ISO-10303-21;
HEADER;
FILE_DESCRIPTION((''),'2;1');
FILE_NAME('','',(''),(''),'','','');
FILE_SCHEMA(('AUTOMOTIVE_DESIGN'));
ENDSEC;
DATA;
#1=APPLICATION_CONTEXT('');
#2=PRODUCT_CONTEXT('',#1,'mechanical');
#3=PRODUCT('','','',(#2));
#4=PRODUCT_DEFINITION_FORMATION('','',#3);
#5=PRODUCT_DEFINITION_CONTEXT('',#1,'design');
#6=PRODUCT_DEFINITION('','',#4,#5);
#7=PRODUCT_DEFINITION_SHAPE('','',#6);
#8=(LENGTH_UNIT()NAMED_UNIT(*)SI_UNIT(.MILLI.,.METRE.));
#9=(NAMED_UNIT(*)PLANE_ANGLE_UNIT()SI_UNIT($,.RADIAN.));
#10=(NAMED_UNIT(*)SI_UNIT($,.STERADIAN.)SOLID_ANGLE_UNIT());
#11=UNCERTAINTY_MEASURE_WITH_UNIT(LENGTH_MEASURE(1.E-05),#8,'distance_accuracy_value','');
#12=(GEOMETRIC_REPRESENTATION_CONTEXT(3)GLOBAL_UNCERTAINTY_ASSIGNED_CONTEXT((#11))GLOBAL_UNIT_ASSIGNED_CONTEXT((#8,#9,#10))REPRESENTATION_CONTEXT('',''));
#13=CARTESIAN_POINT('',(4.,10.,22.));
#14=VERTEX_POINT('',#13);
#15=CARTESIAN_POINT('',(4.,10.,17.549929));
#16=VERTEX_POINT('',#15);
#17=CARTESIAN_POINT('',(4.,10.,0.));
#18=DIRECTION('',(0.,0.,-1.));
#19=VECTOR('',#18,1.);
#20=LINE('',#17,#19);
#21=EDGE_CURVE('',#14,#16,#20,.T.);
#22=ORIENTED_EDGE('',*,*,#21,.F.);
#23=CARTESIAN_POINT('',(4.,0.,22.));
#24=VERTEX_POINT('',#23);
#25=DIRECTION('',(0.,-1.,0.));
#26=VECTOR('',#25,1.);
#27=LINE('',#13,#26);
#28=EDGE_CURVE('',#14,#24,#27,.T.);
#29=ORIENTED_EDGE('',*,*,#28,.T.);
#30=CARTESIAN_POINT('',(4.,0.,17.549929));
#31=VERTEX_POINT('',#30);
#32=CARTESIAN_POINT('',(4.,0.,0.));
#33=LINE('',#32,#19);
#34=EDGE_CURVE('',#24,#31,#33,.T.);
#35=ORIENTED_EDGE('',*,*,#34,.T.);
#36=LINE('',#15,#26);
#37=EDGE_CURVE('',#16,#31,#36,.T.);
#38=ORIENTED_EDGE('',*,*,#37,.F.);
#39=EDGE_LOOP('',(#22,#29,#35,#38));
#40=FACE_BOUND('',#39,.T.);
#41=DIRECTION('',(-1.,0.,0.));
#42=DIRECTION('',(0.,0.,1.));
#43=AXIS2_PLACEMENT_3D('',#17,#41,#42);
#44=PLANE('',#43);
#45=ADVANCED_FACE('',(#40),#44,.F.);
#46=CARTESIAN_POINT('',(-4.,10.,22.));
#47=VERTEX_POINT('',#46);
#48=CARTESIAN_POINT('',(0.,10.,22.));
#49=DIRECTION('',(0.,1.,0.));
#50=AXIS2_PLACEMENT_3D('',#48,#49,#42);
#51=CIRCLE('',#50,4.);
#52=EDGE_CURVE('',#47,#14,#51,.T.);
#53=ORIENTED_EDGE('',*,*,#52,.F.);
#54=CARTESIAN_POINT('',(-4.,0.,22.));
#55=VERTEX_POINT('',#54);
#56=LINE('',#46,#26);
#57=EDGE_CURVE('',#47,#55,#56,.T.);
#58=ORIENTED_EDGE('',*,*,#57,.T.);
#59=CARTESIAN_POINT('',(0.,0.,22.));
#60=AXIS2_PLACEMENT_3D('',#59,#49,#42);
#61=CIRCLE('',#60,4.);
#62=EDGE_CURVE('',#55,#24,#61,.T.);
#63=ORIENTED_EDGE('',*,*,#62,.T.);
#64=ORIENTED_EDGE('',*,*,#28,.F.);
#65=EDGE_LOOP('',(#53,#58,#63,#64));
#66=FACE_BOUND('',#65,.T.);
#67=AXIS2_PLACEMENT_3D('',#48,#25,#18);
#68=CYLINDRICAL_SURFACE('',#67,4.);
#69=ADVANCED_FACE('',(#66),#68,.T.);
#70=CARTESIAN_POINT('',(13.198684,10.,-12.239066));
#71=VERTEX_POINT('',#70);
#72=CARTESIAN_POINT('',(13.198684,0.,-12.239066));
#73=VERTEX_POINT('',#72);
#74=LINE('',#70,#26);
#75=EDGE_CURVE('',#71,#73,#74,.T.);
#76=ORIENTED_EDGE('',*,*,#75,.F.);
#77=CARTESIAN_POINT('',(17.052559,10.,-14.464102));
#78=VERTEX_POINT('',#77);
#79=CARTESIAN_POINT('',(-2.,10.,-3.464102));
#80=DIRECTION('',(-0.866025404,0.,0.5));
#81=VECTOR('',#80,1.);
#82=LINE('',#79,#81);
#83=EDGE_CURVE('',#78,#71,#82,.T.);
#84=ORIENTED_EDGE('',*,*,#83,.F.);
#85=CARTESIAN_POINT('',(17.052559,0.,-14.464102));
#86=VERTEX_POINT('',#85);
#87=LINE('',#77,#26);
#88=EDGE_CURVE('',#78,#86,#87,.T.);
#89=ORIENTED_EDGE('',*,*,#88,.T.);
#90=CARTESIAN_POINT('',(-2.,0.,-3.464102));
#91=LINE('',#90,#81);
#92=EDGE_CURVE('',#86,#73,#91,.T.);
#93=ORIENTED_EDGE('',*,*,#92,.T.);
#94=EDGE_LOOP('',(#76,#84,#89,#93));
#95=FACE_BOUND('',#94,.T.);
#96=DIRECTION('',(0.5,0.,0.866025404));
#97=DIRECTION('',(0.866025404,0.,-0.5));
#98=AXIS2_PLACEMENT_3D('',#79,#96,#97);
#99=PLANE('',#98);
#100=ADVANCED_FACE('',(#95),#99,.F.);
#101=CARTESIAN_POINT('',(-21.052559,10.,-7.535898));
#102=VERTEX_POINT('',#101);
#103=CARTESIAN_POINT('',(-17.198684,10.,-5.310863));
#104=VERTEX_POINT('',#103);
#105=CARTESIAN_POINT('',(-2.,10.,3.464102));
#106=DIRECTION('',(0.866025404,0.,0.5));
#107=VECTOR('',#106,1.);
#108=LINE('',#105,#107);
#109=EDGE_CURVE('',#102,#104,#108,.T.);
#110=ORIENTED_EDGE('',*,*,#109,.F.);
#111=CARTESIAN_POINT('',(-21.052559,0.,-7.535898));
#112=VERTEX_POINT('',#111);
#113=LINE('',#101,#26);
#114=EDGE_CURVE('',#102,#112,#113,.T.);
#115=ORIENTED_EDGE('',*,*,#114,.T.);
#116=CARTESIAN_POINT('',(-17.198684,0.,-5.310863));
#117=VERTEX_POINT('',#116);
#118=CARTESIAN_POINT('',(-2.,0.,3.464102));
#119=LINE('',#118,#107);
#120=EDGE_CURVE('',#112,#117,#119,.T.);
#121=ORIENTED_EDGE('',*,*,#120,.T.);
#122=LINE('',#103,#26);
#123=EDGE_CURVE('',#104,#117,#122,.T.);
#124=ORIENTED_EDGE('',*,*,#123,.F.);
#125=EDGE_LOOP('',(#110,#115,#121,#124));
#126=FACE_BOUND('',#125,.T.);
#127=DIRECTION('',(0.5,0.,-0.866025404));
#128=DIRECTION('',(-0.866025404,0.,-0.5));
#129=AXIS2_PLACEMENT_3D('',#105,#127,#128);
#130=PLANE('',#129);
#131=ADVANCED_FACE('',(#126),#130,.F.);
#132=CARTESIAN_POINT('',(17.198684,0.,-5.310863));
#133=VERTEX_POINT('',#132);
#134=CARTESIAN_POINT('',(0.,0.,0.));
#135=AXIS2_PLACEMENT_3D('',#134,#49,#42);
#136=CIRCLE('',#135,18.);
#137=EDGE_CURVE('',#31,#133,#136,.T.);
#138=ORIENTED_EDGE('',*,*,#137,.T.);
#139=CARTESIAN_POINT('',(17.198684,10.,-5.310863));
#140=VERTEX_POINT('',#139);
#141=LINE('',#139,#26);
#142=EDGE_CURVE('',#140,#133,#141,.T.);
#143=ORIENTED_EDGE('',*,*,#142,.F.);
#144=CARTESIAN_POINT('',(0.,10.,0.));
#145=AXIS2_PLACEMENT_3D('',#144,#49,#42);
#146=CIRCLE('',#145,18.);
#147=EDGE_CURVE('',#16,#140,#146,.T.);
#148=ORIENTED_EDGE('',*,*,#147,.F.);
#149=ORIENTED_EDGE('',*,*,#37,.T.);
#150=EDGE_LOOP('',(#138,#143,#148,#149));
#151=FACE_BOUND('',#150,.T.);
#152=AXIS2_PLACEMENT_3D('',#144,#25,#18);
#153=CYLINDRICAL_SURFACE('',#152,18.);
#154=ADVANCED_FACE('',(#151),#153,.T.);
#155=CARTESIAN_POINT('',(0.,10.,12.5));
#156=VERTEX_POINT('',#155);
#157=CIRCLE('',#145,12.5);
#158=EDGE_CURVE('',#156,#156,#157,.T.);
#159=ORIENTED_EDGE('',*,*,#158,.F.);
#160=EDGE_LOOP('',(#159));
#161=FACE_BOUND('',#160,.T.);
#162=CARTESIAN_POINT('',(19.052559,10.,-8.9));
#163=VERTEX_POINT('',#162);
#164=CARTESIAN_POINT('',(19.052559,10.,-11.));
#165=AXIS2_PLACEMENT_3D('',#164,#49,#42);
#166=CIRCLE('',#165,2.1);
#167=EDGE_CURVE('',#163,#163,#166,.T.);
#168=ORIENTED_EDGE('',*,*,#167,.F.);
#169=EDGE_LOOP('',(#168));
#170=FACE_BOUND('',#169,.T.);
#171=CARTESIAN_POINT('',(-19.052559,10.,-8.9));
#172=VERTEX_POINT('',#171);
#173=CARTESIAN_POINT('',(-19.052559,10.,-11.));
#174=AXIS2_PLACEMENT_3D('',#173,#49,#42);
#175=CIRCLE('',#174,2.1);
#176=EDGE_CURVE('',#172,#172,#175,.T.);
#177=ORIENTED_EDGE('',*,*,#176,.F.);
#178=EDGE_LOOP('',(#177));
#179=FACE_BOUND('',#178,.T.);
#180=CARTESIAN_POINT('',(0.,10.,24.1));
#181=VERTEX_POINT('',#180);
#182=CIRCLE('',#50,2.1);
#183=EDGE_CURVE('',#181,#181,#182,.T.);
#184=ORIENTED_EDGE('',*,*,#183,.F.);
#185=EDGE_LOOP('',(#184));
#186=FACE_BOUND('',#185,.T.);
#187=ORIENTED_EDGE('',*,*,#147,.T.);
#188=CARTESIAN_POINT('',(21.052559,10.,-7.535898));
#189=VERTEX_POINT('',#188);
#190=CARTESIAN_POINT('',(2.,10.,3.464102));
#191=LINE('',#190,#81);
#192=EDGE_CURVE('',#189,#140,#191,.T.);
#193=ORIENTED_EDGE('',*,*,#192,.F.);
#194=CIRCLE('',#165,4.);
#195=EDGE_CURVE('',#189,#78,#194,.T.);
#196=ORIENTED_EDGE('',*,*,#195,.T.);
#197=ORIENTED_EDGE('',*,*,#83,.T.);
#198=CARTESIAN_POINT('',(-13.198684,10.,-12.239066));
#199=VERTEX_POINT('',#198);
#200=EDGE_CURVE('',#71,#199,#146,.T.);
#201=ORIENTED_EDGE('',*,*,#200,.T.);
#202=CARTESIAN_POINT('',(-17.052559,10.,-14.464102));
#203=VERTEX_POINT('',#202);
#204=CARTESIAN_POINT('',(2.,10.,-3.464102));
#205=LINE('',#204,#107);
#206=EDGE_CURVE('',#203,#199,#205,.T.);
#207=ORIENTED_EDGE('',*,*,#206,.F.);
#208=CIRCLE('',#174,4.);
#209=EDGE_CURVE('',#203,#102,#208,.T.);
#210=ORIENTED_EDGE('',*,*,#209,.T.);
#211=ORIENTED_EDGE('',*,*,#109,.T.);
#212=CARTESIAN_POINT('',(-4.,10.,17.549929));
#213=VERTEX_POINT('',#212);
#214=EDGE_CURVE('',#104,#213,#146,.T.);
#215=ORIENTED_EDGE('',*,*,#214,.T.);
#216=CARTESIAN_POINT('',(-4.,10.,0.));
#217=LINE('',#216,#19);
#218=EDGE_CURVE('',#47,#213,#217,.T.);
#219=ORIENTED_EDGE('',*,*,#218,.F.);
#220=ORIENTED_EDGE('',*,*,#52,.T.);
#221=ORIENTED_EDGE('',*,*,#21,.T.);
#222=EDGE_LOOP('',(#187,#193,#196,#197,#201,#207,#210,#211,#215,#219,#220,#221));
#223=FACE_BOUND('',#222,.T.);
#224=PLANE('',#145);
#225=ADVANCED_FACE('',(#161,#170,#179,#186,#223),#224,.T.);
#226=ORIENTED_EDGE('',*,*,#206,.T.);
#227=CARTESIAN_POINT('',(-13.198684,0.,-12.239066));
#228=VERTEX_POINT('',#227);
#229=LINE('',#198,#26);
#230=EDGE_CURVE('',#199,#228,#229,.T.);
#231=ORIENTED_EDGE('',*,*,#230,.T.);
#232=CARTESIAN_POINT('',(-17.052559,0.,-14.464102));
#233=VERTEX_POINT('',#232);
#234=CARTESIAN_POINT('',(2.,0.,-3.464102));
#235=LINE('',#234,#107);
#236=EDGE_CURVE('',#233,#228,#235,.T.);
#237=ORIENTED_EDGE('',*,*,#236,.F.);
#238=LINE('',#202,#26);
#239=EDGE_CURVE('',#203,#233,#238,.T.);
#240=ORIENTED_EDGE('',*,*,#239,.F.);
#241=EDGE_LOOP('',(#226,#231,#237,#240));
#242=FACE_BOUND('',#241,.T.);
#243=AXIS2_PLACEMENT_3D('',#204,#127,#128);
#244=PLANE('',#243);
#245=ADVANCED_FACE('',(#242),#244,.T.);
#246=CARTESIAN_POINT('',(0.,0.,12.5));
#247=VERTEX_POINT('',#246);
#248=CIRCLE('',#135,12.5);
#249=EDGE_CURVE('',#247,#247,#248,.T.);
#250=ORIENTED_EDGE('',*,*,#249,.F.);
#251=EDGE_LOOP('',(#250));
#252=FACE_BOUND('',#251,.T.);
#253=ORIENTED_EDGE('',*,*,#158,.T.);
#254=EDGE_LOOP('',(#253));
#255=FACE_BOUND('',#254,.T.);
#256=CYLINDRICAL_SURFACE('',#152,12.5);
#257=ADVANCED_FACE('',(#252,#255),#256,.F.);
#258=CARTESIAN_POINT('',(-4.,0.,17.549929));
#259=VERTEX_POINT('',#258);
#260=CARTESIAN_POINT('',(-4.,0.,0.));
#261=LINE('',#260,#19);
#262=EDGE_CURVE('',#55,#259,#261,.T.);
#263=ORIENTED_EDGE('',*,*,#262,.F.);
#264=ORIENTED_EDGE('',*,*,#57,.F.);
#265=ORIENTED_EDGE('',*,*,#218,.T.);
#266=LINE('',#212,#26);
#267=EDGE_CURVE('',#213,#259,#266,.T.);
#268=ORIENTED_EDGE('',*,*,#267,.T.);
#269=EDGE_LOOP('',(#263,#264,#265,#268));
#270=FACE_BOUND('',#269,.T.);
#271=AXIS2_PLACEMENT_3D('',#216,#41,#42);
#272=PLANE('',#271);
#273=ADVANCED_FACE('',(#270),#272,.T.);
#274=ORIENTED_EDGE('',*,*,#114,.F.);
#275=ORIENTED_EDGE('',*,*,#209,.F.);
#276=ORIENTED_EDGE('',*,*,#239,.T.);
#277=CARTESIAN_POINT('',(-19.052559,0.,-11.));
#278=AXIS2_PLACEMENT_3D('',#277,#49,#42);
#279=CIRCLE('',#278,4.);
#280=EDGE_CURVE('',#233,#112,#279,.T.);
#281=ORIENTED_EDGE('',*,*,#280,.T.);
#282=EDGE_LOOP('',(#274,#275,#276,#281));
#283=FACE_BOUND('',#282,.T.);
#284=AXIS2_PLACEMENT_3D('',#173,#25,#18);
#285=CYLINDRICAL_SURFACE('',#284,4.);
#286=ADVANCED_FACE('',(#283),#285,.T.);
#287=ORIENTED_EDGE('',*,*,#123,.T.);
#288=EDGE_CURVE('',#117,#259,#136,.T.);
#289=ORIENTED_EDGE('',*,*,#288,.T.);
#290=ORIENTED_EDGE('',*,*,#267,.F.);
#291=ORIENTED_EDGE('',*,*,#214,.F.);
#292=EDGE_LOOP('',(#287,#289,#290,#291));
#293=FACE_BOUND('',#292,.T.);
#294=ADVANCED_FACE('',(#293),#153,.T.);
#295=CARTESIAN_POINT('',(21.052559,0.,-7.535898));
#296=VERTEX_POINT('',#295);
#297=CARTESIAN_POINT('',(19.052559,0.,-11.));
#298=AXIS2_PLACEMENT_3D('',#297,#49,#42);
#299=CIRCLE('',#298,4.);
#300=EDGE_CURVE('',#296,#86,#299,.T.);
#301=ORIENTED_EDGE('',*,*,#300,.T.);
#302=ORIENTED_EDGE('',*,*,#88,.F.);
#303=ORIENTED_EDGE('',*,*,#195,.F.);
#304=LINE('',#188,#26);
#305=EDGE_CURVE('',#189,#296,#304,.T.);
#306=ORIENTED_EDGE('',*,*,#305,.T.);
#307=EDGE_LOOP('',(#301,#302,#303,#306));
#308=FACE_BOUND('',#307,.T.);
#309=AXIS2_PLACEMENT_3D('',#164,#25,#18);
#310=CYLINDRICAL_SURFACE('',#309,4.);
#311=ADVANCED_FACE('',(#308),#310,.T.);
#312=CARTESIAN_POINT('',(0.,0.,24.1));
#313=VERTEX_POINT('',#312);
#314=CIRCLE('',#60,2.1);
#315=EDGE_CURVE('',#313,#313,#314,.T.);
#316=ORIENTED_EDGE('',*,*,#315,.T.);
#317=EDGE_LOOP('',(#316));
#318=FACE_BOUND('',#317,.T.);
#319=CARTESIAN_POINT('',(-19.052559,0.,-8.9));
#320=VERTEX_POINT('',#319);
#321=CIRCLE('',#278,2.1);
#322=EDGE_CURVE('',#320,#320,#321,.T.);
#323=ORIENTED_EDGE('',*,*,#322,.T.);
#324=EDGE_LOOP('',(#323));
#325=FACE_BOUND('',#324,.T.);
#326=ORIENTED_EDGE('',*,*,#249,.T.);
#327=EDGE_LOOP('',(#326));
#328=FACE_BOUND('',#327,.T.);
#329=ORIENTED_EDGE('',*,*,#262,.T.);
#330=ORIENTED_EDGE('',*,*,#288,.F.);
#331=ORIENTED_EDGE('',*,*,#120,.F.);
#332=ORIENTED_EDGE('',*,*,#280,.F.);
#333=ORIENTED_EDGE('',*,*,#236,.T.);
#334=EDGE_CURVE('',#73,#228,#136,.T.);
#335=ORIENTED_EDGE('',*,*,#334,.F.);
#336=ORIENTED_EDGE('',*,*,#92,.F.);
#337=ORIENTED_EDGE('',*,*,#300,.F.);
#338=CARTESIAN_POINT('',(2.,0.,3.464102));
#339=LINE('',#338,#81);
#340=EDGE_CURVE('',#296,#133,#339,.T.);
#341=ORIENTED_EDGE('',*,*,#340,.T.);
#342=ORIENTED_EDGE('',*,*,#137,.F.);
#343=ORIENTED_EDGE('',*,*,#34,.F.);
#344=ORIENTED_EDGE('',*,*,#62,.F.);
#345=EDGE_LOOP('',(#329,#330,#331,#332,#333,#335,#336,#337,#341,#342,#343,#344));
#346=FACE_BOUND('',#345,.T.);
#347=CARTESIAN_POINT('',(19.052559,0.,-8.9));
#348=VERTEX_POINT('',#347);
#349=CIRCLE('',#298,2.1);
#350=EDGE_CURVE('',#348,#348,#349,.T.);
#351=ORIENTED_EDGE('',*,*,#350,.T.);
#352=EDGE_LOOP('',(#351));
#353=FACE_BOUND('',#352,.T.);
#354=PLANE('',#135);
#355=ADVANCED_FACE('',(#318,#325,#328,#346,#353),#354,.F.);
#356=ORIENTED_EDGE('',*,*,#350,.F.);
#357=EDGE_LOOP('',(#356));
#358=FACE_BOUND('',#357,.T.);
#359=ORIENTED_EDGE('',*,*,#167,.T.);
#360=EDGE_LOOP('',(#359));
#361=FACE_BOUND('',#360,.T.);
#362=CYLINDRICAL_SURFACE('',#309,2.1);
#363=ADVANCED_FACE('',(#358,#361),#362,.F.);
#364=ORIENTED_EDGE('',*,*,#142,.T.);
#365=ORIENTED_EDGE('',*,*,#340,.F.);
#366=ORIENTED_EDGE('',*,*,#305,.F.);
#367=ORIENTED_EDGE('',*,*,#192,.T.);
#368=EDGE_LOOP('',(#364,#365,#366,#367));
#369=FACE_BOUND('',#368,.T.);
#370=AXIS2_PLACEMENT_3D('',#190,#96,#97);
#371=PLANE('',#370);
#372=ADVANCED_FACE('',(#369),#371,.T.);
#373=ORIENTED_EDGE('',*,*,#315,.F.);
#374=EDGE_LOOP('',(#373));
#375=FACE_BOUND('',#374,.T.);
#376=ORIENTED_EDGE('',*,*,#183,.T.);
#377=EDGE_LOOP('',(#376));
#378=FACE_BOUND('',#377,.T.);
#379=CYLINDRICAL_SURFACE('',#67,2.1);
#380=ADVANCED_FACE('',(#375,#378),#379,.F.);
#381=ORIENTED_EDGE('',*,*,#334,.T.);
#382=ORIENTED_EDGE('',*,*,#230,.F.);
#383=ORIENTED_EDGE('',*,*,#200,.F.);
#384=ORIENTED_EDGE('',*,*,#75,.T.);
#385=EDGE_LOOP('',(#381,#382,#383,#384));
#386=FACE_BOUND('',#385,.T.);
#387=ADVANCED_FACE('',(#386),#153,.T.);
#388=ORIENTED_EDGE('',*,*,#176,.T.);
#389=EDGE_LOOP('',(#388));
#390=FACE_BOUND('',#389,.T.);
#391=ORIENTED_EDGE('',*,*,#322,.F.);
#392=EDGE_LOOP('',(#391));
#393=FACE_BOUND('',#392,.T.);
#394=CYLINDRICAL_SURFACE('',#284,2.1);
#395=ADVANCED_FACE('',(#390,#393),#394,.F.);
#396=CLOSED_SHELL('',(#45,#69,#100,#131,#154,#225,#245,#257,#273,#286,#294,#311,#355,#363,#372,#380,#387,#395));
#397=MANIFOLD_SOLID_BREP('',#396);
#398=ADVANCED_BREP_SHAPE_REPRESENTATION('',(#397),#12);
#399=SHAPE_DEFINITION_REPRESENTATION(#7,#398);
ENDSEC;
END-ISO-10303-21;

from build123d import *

# Parameters (mm, degrees)
SKETCH1_R           = 2.1
SKETCH1_R_2         = 12.5
BOSS_EXTRUDE1_DEPTH = 10


with BuildPart() as part:
    # Sketch1 → Boss-Extrude1 (new body)
    with BuildSketch(Plane(origin=(0, 0, 0), x_dir=(1, 0, 0), z_dir=(0, 1, 0))):
        with BuildLine():
            ThreePointArc((-4, -22), (0, -26), (4, -22))
            Line((4, -22), (4, -17.549928775))
            ThreePointArc((4, -17.549928775), (15.588457268, -9), (17.198684154, 5.310862772))
            Line((17.198684154, 5.310862772), (21.052558883, 7.535898385))
            ThreePointArc((21.052558883, 7.535898385), (22.516660498, 13), (17.052558883, 14.464101615))
            Line((17.052558883, 14.464101615), (13.198684154, 12.239066003))
            ThreePointArc((13.198684154, 12.239066003), (0, 18), (-13.198684154, 12.239066003))
            Line((-13.198684154, 12.239066003), (-17.052558883, 14.464101615))
            ThreePointArc((-17.052558883, 14.464101615), (-22.516660498, 13), (-21.052558883, 7.535898385))
            Line((-21.052558883, 7.535898385), (-17.198684154, 5.310862772))
            ThreePointArc((-17.198684154, 5.310862772), (-15.588457268, -9), (-4, -17.549928775))
            Line((-4, -17.549928775), (-4, -22))
        make_face()
        with Locations((0, -22)):
            Circle(SKETCH1_R, mode=Mode.SUBTRACT)
        Circle(SKETCH1_R_2, mode=Mode.SUBTRACT)
        with Locations((19.052558883, 11)):
            Circle(SKETCH1_R, mode=Mode.SUBTRACT)
        with Locations((-19.052558883, 11)):
            Circle(SKETCH1_R, mode=Mode.SUBTRACT)
    extrude(amount=BOSS_EXTRUDE1_DEPTH)


solid = part.part
